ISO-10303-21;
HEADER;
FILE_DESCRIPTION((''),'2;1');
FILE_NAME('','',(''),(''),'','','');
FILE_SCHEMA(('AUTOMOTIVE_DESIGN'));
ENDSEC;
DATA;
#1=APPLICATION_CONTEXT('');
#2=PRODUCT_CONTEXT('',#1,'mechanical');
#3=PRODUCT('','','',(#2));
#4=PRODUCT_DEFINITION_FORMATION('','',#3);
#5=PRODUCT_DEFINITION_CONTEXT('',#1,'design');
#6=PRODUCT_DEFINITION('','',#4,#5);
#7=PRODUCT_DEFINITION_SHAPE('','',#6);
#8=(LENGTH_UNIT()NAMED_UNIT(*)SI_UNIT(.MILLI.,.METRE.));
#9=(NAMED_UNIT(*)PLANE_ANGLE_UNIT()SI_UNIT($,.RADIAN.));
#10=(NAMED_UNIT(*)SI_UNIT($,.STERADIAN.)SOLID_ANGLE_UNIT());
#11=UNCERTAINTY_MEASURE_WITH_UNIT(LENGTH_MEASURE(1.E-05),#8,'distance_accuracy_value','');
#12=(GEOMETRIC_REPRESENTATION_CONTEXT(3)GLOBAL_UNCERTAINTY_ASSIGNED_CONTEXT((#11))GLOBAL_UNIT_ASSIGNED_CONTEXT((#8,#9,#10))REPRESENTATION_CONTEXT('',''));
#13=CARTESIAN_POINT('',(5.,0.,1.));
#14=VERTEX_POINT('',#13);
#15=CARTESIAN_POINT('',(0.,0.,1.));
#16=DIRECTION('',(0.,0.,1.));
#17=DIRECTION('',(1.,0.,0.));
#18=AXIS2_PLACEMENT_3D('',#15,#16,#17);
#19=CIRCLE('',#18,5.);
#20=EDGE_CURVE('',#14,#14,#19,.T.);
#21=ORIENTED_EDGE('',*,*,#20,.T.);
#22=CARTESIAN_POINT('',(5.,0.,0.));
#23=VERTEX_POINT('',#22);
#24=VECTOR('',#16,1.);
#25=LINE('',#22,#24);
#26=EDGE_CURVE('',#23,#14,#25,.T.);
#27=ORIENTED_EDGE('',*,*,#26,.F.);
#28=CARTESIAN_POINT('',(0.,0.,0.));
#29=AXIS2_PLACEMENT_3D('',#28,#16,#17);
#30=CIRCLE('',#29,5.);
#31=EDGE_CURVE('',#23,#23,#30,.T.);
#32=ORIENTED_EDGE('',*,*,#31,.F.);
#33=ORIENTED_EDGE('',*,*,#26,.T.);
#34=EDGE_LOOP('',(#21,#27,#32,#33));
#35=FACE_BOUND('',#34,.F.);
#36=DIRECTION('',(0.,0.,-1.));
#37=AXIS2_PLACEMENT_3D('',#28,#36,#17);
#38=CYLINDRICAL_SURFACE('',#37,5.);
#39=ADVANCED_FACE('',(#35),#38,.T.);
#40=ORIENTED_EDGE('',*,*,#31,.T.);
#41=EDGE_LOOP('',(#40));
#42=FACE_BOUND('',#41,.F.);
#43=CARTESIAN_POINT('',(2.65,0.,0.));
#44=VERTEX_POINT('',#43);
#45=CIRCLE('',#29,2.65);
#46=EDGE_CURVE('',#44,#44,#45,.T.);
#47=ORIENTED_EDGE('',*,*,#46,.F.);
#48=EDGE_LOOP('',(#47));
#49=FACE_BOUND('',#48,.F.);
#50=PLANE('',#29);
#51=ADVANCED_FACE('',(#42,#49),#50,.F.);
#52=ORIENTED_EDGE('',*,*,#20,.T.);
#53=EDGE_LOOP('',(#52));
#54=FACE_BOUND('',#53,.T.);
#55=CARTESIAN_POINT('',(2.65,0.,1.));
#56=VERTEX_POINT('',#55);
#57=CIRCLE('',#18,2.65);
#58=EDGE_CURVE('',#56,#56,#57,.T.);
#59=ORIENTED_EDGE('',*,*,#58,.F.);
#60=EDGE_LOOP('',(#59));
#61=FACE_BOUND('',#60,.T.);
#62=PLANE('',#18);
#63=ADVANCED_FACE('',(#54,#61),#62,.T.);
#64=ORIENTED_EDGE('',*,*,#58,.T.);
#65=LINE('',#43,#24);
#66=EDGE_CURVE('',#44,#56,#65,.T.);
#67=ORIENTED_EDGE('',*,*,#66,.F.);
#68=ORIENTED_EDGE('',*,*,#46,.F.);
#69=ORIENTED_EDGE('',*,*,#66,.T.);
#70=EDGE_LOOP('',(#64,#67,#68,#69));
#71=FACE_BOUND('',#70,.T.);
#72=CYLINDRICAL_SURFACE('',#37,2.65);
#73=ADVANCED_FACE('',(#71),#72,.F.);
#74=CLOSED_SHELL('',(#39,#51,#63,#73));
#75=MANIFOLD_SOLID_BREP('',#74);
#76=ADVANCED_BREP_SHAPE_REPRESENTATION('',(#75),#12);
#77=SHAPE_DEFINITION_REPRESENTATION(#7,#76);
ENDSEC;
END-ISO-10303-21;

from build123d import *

# Parameters (mm, degrees)
SKETCH_R   = 5
SKETCH_R_2 = 2.65
PAD_DEPTH  = 1


with BuildPart() as part:
    # Sketch → Pad (new body)
    with BuildSketch(Plane.XY):
        Circle(SKETCH_R)
        Circle(SKETCH_R_2, mode=Mode.SUBTRACT)
    extrude(amount=PAD_DEPTH)


solid = part.part
